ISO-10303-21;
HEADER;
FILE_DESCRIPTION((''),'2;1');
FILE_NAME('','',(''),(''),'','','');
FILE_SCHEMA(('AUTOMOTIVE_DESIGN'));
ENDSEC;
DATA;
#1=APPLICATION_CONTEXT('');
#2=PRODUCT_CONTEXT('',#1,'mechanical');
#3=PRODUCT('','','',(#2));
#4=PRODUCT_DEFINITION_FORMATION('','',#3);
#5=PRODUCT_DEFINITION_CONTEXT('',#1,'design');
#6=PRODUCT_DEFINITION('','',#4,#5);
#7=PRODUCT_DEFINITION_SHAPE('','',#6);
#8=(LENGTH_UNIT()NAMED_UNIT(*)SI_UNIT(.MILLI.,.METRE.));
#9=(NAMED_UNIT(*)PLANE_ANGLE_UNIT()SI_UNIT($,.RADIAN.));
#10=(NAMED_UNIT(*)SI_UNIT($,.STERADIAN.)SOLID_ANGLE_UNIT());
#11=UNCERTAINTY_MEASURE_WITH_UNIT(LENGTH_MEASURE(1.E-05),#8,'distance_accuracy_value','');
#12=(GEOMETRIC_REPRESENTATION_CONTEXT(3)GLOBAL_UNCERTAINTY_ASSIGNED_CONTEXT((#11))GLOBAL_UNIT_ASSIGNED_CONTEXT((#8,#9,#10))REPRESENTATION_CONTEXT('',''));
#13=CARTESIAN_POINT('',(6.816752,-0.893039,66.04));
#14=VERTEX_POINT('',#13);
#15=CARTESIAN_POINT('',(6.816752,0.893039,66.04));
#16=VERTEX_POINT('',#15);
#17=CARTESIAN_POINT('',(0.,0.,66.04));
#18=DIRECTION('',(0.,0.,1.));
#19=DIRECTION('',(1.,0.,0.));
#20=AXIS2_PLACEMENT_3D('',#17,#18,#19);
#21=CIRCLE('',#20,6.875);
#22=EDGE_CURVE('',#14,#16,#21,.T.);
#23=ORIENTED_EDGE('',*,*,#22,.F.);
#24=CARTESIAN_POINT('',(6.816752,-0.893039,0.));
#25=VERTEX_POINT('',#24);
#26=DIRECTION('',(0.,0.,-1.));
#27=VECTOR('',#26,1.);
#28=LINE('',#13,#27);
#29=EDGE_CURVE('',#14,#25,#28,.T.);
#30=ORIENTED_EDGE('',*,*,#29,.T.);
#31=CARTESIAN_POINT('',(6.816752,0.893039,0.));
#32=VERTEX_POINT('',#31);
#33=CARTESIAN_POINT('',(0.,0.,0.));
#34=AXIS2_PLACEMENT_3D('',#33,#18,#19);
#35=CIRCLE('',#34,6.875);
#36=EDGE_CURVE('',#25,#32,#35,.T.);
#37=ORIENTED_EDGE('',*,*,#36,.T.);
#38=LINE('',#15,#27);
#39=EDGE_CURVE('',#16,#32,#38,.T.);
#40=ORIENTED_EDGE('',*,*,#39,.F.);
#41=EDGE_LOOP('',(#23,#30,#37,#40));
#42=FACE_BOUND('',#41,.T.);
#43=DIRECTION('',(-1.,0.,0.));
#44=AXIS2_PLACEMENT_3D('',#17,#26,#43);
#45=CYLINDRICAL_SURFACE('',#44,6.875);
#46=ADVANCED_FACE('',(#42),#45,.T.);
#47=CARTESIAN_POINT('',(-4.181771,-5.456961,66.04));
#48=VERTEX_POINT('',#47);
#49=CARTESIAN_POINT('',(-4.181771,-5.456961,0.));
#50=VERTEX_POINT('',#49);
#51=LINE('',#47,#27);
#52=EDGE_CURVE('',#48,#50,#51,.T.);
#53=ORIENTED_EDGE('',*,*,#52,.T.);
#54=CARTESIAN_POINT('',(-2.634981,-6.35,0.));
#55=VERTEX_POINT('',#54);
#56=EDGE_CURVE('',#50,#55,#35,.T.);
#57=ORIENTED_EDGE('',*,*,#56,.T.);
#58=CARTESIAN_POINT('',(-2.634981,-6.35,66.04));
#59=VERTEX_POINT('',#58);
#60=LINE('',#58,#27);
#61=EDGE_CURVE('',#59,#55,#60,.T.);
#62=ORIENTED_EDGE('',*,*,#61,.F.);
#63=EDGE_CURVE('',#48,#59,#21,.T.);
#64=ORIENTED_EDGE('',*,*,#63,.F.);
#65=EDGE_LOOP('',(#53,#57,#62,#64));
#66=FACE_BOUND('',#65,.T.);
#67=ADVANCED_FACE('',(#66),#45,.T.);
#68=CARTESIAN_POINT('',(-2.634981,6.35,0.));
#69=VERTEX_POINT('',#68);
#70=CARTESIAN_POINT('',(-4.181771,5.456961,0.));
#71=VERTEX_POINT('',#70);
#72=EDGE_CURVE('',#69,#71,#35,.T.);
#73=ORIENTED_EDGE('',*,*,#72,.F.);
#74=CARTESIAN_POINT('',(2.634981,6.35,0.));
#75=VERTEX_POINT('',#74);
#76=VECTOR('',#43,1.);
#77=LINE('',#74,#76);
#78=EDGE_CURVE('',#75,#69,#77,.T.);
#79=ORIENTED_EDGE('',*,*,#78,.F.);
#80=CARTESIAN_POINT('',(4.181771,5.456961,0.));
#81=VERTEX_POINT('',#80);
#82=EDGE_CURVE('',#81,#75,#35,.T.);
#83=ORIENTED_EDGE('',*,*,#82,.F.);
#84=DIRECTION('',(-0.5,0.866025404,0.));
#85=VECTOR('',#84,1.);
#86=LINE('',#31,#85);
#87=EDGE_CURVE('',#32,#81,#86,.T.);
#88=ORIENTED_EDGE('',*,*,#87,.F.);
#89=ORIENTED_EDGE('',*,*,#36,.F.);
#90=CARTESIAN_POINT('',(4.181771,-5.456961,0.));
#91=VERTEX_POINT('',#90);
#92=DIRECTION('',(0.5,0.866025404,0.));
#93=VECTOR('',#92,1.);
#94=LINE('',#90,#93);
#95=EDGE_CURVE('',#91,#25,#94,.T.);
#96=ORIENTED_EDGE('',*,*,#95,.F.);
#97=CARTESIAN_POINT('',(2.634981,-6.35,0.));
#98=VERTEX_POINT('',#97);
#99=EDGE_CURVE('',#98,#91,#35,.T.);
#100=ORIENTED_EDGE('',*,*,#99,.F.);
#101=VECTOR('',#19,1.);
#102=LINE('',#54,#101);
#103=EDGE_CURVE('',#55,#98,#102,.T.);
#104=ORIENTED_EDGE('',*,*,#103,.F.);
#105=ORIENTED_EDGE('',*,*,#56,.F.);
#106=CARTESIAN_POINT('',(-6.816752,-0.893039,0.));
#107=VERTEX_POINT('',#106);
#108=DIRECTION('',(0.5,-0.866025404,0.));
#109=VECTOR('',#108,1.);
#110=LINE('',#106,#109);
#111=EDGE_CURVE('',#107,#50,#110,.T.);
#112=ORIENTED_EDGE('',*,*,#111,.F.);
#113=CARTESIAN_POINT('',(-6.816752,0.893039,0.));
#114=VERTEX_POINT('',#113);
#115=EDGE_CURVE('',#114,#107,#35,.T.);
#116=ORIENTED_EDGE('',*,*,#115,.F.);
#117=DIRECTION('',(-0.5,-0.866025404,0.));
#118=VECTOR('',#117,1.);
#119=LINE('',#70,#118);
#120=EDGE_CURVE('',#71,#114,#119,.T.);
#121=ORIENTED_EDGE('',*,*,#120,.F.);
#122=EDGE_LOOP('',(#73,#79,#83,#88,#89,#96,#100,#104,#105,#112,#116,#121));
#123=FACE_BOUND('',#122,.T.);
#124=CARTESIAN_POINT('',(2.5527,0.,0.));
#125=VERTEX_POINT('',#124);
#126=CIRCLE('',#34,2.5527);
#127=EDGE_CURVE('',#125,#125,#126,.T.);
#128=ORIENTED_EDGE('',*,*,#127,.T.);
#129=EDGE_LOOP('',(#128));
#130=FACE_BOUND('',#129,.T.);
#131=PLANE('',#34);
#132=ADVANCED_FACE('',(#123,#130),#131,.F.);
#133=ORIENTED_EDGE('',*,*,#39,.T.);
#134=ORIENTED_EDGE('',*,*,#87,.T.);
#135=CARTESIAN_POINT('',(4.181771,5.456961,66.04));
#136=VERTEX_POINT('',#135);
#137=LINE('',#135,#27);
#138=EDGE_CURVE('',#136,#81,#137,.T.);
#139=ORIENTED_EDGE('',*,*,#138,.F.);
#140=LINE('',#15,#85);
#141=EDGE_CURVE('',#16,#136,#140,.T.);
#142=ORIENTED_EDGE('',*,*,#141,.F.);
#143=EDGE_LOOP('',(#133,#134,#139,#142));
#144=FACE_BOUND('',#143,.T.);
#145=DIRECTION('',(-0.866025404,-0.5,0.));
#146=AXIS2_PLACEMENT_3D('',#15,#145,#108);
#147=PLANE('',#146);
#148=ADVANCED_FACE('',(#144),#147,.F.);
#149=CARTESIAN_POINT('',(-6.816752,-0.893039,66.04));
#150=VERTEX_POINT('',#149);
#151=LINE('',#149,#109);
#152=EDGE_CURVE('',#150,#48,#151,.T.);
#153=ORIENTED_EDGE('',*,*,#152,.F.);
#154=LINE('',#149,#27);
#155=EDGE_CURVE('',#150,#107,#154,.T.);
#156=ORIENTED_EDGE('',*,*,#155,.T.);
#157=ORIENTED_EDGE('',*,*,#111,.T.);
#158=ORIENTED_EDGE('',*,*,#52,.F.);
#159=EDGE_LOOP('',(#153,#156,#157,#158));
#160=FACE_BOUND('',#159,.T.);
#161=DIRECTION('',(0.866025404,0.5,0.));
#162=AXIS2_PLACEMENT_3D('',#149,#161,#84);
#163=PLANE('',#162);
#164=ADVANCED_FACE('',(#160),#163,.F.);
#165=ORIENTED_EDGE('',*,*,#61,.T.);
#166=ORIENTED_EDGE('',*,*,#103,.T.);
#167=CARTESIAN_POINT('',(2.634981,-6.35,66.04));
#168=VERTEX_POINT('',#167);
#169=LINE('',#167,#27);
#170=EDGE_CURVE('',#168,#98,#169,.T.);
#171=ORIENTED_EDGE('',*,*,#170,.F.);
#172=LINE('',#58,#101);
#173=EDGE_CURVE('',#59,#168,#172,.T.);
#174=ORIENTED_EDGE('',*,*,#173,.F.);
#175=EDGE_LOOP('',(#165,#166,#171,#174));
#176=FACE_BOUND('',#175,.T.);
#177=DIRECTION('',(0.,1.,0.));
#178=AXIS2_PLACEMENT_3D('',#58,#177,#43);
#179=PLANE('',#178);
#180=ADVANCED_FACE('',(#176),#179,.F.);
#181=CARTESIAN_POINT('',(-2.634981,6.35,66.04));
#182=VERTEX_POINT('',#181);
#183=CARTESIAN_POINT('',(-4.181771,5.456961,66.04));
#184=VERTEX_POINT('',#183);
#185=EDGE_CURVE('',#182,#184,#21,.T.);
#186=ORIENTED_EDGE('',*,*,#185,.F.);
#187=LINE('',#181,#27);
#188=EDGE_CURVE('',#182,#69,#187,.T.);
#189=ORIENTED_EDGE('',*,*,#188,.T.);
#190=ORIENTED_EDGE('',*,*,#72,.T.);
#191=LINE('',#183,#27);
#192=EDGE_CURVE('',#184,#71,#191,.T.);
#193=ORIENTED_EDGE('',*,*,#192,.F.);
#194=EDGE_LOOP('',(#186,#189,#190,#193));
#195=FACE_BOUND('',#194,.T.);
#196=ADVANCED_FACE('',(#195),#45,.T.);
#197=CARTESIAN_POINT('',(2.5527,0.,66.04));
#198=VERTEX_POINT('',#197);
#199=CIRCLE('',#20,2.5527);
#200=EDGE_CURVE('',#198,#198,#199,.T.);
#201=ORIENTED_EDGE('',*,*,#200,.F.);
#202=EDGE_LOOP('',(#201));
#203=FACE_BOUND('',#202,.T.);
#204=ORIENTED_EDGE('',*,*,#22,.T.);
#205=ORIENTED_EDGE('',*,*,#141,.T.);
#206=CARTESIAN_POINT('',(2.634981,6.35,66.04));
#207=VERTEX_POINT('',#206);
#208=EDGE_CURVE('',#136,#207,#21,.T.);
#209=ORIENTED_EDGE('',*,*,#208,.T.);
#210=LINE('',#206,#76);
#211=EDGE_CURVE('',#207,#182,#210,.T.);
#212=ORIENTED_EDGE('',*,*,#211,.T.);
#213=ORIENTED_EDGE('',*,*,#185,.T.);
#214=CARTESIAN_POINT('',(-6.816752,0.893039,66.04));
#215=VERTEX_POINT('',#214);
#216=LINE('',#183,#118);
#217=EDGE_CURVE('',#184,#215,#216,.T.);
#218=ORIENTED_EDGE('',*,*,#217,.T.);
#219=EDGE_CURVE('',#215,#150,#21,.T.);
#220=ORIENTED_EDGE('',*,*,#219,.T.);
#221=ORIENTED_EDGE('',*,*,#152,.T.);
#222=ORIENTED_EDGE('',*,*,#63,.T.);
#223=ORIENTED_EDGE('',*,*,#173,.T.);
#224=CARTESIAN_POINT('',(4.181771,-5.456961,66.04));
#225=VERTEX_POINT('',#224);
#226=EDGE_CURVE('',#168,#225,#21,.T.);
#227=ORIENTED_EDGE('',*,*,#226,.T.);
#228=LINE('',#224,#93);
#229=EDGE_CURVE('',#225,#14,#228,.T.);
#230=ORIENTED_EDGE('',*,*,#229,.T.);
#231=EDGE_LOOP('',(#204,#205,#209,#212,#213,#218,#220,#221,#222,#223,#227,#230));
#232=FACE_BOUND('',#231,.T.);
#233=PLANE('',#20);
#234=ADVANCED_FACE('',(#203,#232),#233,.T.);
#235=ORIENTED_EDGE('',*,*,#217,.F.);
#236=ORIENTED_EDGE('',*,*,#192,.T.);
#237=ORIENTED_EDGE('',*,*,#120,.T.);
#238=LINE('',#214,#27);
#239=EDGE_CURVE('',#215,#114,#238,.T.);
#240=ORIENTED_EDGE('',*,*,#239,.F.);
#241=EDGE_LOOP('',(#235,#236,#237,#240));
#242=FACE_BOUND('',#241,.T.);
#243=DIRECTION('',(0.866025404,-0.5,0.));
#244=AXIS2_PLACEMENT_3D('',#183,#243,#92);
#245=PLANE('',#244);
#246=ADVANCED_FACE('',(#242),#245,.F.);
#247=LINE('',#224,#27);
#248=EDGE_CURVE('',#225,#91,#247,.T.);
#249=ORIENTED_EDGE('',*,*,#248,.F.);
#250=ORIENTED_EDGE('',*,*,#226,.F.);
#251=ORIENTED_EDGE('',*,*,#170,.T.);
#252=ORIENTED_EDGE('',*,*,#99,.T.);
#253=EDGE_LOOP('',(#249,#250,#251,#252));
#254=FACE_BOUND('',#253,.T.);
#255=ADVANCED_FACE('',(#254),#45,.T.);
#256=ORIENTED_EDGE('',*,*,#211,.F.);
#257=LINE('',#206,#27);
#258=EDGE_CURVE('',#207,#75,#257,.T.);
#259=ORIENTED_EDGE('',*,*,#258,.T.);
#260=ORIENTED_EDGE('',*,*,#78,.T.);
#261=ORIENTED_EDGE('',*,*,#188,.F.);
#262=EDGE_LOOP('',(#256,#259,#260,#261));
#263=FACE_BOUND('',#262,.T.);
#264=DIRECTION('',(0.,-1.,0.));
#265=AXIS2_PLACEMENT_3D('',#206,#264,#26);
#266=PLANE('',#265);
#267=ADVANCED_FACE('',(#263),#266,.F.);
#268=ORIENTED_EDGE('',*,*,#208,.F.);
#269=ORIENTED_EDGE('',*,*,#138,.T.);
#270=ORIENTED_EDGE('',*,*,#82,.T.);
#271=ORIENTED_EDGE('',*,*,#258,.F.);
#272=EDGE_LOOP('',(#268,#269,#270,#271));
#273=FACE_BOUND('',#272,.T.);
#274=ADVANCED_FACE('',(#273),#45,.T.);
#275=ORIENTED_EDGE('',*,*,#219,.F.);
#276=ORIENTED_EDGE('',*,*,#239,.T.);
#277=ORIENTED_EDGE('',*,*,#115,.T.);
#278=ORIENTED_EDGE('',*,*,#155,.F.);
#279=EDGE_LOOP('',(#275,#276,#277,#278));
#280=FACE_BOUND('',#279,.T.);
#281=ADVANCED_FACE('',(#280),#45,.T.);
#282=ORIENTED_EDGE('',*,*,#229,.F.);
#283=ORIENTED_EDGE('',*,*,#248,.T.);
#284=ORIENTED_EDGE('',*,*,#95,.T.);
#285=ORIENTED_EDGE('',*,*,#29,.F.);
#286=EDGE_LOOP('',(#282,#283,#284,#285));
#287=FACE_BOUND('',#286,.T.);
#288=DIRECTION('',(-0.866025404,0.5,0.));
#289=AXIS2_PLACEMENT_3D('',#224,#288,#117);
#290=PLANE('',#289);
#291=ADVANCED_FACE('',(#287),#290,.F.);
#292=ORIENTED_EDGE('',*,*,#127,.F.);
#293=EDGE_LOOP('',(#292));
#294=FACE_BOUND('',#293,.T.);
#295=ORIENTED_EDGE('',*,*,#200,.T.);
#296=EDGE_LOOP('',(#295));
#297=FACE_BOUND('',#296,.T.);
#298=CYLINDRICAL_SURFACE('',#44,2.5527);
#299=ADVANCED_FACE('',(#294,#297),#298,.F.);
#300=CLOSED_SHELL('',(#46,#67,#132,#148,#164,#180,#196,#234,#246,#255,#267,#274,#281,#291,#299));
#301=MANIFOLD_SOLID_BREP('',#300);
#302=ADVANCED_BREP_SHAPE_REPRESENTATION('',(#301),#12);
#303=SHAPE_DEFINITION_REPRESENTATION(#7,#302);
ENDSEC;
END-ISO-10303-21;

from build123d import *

# Parameters (mm, degrees)
SKETCH1_R           = 2.5527
BOSS_EXTRUDE1_DEPTH = 66.04


with BuildPart() as part:
    # Sketch1 → Boss-Extrude1 (new body)
    with BuildSketch(Plane.XY):
        with BuildLine():
            Line((6.816751826, 0.893039494), (4.181770802, 5.456960506))
            ThreePointArc((4.181770802, 5.456960506), (3.4375, 5.953924651), (2.634981025, 6.35))
            Line((2.634981025, 6.35), (-2.634981025, 6.35))
            ThreePointArc((-2.634981025, 6.35), (-3.4375, 5.953924651), (-4.181770802, 5.456960506))
            Line((-4.181770802, 5.456960506), (-6.816751826, 0.893039494))
            ThreePointArc((-6.816751826, 0.893039494), (-6.875, 0), (-6.816751826, -0.893039494))
            Line((-6.816751826, -0.893039494), (-4.181770802, -5.456960506))
            ThreePointArc((-4.181770802, -5.456960506), (-3.4375, -5.953924651), (-2.634981025, -6.35))
            Line((-2.634981025, -6.35), (2.634981025, -6.35))
            ThreePointArc((2.634981025, -6.35), (3.4375, -5.953924651), (4.181770802, -5.456960506))
            Line((4.181770802, -5.456960506), (6.816751826, -0.893039494))
            ThreePointArc((6.816751826, -0.893039494), (6.875, 0), (6.816751826, 0.893039494))
        make_face()
        Circle(SKETCH1_R, mode=Mode.SUBTRACT)
    extrude(amount=BOSS_EXTRUDE1_DEPTH)


solid = part.part
